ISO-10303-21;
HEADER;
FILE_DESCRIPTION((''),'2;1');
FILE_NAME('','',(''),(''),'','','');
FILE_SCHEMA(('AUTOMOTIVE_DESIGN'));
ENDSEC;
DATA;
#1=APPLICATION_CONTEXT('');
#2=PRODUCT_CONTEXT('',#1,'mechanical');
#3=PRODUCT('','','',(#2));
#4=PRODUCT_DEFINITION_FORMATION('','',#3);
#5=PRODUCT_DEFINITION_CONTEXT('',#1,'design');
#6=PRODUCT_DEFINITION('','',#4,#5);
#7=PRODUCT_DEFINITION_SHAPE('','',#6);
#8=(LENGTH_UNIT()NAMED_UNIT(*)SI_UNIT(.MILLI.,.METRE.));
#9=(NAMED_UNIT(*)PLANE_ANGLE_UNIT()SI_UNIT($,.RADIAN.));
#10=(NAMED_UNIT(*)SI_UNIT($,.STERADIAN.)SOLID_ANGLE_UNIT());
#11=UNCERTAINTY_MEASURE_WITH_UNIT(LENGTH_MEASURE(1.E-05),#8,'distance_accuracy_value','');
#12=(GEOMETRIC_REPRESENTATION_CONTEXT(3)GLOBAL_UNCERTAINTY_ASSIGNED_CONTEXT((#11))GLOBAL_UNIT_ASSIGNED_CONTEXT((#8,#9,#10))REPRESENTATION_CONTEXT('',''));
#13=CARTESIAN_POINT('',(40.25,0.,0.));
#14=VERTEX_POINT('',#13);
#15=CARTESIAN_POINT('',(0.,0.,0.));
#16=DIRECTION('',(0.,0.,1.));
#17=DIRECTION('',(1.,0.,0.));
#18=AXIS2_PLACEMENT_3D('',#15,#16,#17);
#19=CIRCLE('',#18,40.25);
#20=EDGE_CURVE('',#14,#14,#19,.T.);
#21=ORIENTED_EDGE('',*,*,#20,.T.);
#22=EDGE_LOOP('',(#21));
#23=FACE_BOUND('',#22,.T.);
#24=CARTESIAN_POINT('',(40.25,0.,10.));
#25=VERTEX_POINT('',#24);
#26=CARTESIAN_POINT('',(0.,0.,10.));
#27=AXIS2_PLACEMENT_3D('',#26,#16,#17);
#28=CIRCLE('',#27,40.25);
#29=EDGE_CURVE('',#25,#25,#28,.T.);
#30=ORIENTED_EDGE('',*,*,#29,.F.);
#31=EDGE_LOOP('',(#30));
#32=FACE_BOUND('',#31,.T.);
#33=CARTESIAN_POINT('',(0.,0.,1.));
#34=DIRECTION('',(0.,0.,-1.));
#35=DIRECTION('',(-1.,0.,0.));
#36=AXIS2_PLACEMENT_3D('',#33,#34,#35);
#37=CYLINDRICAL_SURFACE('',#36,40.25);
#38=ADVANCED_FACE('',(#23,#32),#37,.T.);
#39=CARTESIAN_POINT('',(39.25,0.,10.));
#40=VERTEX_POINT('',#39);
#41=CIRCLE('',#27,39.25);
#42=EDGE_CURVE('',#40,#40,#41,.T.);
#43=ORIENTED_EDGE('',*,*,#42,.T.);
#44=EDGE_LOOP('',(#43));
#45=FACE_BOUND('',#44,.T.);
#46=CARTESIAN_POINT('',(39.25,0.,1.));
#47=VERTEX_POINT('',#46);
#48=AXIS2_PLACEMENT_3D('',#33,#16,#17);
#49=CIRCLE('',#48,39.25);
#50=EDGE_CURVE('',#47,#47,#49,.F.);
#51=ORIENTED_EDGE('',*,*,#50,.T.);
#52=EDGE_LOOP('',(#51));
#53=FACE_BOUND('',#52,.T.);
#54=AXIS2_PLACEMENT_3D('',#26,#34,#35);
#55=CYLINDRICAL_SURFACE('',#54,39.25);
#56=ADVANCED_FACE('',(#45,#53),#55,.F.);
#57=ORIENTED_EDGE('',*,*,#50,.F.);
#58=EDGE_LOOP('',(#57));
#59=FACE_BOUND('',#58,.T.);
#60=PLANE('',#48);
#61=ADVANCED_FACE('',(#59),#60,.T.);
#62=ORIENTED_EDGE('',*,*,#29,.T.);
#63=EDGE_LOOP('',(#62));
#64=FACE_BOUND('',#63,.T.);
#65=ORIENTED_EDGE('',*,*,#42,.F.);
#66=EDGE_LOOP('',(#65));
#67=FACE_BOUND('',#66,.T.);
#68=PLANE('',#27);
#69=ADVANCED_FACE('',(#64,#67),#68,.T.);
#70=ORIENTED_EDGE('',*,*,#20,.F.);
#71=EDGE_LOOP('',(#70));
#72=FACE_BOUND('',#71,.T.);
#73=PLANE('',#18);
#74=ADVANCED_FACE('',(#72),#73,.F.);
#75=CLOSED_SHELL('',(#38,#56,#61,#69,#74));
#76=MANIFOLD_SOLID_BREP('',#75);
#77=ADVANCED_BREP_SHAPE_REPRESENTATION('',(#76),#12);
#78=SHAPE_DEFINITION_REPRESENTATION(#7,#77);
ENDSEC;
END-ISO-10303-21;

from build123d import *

# Parameters (mm, degrees)
ESQUISSE1_R        = 40.25
BOSS_EXTRU_1_DEPTH = 1
ESQUISSE2_R        = 40.25
ESQUISSE2_R_2      = 39.25
BOSS_EXTRU_2_DEPTH = 9


with BuildPart() as part:
    # Esquisse1 → Boss.-Extru.1 (new body)
    with BuildSketch(Plane.XY):
        Circle(ESQUISSE1_R)
    extrude(amount=BOSS_EXTRU_1_DEPTH)

    # Esquisse2 → Boss.-Extru.2 (add)
    with BuildSketch(Plane.XY.offset(1)):
        Circle(ESQUISSE2_R)
        Circle(ESQUISSE2_R_2, mode=Mode.SUBTRACT)
    extrude(amount=BOSS_EXTRU_2_DEPTH)


solid = part.part
